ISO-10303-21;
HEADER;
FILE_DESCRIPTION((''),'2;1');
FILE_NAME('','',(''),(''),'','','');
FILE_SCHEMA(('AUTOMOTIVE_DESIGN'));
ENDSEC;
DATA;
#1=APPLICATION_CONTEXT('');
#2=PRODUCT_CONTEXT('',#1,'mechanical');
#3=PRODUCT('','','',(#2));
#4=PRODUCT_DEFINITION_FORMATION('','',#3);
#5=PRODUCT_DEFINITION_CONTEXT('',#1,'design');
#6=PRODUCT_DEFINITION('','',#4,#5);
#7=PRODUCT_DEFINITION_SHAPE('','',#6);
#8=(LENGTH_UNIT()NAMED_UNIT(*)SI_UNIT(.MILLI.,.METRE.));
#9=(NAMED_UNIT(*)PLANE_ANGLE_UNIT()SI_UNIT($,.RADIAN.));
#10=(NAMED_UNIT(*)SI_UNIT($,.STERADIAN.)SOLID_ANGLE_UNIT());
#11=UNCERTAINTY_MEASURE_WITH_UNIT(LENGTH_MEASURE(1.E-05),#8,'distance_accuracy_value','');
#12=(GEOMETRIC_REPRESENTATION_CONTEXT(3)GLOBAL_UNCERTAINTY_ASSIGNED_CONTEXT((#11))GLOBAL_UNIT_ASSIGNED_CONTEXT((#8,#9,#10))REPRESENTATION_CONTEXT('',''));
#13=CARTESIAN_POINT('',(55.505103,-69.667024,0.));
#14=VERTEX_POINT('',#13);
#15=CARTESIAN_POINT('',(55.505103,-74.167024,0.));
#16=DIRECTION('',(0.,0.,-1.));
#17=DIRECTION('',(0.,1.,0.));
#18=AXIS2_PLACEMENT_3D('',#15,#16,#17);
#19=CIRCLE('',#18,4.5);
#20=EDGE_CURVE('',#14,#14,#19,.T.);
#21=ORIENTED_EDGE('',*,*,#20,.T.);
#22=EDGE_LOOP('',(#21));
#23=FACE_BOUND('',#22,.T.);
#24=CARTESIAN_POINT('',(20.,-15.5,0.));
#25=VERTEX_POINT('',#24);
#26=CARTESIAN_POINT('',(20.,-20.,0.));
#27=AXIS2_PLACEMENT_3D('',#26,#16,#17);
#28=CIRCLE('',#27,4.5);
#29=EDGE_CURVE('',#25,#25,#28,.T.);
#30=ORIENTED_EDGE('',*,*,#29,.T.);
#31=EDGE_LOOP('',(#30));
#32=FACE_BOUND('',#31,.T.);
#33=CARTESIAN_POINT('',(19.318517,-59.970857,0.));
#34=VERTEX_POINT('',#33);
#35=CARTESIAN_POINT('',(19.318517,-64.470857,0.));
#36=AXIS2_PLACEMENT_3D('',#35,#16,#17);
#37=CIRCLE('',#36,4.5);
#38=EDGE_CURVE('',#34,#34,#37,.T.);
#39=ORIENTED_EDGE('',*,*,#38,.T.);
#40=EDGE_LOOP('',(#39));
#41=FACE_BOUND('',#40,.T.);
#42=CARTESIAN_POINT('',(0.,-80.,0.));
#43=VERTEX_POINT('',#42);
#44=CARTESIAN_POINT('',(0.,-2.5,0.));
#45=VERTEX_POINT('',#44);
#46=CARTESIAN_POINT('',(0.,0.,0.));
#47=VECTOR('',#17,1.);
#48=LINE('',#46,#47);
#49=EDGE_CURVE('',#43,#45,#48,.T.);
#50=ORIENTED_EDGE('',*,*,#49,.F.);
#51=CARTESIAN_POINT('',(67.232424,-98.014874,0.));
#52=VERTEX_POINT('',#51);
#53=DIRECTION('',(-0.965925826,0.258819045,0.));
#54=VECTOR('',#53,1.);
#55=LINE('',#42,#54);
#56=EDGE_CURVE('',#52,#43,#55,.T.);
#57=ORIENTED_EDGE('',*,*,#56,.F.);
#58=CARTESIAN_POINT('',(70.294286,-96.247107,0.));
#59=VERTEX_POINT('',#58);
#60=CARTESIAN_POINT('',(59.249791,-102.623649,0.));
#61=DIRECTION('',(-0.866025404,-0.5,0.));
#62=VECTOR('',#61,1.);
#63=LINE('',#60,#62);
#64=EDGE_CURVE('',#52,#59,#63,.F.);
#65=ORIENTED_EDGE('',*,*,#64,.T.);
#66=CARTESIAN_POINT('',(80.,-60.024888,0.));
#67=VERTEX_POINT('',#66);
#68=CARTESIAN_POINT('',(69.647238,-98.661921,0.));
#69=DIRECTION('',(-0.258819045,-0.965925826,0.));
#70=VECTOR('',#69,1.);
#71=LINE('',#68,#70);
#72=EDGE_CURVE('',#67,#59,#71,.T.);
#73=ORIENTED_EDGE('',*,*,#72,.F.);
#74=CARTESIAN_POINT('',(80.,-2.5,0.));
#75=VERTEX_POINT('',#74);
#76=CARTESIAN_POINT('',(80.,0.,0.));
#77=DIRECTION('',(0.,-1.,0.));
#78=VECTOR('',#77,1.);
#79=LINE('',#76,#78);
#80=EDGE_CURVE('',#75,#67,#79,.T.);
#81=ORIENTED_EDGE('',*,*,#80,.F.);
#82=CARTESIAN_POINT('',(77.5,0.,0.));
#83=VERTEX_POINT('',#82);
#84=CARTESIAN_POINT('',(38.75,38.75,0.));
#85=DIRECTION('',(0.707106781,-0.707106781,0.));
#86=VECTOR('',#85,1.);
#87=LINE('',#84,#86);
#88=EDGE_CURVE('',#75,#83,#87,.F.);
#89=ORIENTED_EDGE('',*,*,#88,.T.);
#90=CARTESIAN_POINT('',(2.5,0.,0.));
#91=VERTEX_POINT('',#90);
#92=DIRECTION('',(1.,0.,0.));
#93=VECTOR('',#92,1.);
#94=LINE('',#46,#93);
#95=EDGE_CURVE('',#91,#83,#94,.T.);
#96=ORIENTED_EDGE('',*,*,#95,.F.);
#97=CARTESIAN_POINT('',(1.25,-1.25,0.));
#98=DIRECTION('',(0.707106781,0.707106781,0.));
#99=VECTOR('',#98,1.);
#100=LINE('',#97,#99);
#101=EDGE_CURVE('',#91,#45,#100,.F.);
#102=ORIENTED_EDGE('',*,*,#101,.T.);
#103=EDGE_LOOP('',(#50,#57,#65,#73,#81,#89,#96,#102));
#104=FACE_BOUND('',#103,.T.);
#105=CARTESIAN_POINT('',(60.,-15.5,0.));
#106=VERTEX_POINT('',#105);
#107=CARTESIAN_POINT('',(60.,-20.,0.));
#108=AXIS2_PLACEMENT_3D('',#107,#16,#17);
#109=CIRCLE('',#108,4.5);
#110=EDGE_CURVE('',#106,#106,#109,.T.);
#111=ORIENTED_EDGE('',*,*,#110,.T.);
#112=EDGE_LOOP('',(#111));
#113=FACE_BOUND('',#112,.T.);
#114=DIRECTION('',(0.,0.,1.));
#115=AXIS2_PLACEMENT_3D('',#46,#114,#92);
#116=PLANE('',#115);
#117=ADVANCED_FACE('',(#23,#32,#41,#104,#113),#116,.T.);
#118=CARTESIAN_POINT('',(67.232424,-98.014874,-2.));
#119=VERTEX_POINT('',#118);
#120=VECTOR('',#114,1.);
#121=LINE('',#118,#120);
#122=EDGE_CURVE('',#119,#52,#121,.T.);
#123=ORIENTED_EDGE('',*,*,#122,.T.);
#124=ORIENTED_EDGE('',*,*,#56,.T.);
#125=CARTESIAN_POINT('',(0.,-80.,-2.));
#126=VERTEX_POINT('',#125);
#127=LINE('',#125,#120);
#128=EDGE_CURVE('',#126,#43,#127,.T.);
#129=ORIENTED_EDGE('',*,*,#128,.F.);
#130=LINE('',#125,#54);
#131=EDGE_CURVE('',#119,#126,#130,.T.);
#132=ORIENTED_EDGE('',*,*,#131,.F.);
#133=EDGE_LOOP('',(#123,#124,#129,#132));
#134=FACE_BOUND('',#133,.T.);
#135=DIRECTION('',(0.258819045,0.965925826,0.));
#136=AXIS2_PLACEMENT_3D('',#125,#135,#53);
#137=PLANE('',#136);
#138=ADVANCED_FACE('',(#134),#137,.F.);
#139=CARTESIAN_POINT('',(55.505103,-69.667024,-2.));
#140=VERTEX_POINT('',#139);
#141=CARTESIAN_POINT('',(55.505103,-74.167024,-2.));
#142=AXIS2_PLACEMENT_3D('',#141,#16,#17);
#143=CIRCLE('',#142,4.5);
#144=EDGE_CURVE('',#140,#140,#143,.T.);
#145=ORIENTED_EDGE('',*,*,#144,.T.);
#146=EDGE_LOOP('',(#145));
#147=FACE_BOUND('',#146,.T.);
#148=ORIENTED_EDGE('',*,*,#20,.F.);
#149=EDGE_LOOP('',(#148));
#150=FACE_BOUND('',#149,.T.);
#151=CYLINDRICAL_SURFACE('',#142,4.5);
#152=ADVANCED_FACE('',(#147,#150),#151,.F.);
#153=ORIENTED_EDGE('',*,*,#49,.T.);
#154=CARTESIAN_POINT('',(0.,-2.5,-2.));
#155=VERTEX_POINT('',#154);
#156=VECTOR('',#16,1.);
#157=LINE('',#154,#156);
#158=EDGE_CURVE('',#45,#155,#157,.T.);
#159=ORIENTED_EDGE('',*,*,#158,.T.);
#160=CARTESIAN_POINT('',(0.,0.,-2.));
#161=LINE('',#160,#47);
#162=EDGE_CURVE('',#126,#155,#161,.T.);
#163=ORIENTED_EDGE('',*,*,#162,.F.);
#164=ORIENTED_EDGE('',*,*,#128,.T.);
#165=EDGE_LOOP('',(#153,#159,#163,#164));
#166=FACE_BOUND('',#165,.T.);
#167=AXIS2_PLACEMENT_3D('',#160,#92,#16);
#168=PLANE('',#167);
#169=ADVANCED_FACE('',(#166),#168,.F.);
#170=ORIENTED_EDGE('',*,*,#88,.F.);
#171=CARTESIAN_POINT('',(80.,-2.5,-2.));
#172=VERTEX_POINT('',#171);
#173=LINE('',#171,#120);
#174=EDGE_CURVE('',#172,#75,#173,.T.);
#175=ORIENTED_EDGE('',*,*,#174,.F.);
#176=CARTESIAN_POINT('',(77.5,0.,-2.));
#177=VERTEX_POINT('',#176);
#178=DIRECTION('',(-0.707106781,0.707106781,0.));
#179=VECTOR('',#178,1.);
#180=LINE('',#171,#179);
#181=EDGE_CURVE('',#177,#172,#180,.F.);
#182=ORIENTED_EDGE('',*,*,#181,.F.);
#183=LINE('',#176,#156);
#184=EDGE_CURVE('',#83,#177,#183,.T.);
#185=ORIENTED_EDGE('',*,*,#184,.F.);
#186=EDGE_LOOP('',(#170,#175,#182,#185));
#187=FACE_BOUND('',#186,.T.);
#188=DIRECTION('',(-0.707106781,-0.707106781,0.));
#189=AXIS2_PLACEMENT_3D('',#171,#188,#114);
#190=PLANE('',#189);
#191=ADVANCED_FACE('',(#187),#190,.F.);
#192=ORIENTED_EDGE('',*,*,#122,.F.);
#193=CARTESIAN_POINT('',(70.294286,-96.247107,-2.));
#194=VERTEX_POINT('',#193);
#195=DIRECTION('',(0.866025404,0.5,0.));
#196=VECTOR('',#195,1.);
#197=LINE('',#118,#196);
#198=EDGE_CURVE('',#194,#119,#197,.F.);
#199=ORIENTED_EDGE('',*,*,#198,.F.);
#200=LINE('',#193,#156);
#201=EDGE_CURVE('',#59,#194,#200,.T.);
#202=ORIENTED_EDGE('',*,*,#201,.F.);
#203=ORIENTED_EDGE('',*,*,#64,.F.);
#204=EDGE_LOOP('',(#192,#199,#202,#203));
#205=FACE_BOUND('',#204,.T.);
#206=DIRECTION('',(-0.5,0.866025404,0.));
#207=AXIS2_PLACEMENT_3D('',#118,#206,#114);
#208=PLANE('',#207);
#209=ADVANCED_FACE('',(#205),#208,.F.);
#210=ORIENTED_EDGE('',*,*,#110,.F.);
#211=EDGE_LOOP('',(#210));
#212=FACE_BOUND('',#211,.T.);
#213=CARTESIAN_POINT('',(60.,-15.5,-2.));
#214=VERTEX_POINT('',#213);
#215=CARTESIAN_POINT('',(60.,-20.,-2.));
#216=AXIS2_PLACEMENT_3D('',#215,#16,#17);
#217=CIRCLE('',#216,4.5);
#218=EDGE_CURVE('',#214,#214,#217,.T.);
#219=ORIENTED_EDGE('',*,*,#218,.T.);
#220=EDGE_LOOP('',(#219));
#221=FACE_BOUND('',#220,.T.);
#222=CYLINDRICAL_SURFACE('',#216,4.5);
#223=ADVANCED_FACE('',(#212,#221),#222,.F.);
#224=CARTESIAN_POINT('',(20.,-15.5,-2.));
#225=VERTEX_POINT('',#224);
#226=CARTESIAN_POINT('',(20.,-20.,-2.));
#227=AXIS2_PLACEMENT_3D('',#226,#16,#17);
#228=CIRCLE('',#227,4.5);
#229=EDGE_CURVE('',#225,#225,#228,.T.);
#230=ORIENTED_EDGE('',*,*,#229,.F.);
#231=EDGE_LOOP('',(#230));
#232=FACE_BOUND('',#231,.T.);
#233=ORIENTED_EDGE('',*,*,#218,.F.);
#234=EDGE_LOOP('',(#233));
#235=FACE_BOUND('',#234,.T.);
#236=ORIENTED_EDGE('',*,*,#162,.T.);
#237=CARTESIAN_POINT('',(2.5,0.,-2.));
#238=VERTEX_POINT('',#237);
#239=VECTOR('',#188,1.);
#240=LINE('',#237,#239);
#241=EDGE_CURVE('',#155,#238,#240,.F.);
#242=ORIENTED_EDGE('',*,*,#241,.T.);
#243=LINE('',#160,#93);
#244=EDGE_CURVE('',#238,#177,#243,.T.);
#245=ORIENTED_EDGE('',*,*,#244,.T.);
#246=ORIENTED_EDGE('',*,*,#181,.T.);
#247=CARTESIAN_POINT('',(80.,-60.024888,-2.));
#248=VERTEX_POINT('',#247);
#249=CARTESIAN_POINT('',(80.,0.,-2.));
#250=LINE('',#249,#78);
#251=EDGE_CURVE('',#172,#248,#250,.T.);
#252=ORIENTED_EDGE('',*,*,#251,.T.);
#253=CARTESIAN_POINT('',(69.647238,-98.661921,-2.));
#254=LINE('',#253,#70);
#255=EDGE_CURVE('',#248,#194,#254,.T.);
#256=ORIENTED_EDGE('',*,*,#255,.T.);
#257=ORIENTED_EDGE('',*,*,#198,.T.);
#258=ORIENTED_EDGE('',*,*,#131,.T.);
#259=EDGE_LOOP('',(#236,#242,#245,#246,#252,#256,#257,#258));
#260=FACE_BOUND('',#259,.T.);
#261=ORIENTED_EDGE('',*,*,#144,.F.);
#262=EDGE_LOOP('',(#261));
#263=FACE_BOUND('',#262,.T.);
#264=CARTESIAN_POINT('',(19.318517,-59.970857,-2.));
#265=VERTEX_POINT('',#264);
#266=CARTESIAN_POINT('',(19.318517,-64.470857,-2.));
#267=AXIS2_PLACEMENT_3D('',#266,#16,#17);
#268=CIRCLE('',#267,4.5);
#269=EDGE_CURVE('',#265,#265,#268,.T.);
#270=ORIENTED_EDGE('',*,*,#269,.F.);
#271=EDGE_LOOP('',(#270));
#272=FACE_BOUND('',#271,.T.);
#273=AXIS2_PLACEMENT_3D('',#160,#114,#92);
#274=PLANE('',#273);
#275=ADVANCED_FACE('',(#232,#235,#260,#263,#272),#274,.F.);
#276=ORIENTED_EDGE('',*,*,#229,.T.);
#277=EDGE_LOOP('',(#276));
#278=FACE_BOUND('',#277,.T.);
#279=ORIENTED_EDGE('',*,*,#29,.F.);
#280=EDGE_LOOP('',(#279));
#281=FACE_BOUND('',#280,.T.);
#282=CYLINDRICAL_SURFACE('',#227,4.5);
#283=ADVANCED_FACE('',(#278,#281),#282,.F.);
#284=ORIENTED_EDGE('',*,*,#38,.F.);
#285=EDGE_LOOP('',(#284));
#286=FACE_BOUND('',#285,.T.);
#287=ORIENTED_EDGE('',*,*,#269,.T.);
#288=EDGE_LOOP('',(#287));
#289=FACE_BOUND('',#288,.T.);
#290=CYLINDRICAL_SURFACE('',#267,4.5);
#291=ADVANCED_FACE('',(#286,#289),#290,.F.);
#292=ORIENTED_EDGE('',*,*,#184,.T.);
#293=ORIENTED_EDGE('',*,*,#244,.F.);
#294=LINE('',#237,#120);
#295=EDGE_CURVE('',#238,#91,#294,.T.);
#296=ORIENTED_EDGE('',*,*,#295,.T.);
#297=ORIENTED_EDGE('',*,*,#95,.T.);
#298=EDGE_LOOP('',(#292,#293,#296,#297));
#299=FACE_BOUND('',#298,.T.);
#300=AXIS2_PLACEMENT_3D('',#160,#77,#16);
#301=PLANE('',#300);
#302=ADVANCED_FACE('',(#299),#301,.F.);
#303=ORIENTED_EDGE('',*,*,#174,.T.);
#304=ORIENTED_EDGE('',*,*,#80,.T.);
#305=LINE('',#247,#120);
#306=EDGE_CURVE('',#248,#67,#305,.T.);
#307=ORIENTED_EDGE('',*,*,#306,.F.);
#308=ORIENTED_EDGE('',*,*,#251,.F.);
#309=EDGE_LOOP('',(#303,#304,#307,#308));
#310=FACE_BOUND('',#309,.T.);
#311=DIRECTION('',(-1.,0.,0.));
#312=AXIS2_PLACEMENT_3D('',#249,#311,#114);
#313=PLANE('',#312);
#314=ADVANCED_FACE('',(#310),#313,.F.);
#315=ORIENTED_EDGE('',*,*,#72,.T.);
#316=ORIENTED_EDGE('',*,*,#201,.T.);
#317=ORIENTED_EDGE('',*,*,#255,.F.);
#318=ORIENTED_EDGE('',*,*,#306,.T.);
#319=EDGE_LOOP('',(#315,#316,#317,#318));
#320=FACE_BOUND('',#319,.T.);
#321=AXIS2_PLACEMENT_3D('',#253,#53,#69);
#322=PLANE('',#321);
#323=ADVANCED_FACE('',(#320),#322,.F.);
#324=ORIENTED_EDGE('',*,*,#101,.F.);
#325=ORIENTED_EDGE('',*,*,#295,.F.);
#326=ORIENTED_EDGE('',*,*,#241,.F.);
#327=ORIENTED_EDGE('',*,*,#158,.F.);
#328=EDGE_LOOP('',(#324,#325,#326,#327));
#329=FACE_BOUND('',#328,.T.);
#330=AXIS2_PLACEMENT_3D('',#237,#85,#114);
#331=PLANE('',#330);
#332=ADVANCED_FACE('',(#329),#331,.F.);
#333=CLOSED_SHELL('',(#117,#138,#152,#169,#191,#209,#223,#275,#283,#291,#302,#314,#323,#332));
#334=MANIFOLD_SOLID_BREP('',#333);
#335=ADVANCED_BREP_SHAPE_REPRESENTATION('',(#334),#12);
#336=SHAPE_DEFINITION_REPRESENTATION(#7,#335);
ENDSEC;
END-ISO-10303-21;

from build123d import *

# Parameters (mm, degrees)
EXTRUDE_1_DEPTH   = 2
HOLE_WIZARD_M81_D = 9
CHAMFER_1_SIZE    = 2.5


with BuildPart() as part:
    # Эскиз3 → Бобышка-Вытянуть1 (new body)
    with BuildSketch(Plane(origin=(0, 0, 0), x_dir=(1, 0, 0), z_dir=(0, 0, -1))):
        Polygon((0, 0), (80, 0), (80, 60.024888178), (69.647238196, 98.66192123), (0, 80), align=None)
    extrude(amount=EXTRUDE_1_DEPTH)

    # Отверстие с зазором M81 (through all)
    with Locations(Plane(origin=(0, 0, -2), x_dir=(1, 0, 0), z_dir=(0, 0, -1))):
        with Locations((20, 20), (60, 20), (19.318516526, 64.470857294), (55.505102572, 74.167023802)):
            Hole(HOLE_WIZARD_M81_D / 2)

    # Фаска1
    chamfer_1_edges = [part.edges().sort_by_distance(p)[0] for p in [
        (69.647238196, -98.66192123, -1),
        (80, 0, -1),
        (0, 0, -1),
    ]]
    chamfer(chamfer_1_edges, length=CHAMFER_1_SIZE)


solid = part.part
